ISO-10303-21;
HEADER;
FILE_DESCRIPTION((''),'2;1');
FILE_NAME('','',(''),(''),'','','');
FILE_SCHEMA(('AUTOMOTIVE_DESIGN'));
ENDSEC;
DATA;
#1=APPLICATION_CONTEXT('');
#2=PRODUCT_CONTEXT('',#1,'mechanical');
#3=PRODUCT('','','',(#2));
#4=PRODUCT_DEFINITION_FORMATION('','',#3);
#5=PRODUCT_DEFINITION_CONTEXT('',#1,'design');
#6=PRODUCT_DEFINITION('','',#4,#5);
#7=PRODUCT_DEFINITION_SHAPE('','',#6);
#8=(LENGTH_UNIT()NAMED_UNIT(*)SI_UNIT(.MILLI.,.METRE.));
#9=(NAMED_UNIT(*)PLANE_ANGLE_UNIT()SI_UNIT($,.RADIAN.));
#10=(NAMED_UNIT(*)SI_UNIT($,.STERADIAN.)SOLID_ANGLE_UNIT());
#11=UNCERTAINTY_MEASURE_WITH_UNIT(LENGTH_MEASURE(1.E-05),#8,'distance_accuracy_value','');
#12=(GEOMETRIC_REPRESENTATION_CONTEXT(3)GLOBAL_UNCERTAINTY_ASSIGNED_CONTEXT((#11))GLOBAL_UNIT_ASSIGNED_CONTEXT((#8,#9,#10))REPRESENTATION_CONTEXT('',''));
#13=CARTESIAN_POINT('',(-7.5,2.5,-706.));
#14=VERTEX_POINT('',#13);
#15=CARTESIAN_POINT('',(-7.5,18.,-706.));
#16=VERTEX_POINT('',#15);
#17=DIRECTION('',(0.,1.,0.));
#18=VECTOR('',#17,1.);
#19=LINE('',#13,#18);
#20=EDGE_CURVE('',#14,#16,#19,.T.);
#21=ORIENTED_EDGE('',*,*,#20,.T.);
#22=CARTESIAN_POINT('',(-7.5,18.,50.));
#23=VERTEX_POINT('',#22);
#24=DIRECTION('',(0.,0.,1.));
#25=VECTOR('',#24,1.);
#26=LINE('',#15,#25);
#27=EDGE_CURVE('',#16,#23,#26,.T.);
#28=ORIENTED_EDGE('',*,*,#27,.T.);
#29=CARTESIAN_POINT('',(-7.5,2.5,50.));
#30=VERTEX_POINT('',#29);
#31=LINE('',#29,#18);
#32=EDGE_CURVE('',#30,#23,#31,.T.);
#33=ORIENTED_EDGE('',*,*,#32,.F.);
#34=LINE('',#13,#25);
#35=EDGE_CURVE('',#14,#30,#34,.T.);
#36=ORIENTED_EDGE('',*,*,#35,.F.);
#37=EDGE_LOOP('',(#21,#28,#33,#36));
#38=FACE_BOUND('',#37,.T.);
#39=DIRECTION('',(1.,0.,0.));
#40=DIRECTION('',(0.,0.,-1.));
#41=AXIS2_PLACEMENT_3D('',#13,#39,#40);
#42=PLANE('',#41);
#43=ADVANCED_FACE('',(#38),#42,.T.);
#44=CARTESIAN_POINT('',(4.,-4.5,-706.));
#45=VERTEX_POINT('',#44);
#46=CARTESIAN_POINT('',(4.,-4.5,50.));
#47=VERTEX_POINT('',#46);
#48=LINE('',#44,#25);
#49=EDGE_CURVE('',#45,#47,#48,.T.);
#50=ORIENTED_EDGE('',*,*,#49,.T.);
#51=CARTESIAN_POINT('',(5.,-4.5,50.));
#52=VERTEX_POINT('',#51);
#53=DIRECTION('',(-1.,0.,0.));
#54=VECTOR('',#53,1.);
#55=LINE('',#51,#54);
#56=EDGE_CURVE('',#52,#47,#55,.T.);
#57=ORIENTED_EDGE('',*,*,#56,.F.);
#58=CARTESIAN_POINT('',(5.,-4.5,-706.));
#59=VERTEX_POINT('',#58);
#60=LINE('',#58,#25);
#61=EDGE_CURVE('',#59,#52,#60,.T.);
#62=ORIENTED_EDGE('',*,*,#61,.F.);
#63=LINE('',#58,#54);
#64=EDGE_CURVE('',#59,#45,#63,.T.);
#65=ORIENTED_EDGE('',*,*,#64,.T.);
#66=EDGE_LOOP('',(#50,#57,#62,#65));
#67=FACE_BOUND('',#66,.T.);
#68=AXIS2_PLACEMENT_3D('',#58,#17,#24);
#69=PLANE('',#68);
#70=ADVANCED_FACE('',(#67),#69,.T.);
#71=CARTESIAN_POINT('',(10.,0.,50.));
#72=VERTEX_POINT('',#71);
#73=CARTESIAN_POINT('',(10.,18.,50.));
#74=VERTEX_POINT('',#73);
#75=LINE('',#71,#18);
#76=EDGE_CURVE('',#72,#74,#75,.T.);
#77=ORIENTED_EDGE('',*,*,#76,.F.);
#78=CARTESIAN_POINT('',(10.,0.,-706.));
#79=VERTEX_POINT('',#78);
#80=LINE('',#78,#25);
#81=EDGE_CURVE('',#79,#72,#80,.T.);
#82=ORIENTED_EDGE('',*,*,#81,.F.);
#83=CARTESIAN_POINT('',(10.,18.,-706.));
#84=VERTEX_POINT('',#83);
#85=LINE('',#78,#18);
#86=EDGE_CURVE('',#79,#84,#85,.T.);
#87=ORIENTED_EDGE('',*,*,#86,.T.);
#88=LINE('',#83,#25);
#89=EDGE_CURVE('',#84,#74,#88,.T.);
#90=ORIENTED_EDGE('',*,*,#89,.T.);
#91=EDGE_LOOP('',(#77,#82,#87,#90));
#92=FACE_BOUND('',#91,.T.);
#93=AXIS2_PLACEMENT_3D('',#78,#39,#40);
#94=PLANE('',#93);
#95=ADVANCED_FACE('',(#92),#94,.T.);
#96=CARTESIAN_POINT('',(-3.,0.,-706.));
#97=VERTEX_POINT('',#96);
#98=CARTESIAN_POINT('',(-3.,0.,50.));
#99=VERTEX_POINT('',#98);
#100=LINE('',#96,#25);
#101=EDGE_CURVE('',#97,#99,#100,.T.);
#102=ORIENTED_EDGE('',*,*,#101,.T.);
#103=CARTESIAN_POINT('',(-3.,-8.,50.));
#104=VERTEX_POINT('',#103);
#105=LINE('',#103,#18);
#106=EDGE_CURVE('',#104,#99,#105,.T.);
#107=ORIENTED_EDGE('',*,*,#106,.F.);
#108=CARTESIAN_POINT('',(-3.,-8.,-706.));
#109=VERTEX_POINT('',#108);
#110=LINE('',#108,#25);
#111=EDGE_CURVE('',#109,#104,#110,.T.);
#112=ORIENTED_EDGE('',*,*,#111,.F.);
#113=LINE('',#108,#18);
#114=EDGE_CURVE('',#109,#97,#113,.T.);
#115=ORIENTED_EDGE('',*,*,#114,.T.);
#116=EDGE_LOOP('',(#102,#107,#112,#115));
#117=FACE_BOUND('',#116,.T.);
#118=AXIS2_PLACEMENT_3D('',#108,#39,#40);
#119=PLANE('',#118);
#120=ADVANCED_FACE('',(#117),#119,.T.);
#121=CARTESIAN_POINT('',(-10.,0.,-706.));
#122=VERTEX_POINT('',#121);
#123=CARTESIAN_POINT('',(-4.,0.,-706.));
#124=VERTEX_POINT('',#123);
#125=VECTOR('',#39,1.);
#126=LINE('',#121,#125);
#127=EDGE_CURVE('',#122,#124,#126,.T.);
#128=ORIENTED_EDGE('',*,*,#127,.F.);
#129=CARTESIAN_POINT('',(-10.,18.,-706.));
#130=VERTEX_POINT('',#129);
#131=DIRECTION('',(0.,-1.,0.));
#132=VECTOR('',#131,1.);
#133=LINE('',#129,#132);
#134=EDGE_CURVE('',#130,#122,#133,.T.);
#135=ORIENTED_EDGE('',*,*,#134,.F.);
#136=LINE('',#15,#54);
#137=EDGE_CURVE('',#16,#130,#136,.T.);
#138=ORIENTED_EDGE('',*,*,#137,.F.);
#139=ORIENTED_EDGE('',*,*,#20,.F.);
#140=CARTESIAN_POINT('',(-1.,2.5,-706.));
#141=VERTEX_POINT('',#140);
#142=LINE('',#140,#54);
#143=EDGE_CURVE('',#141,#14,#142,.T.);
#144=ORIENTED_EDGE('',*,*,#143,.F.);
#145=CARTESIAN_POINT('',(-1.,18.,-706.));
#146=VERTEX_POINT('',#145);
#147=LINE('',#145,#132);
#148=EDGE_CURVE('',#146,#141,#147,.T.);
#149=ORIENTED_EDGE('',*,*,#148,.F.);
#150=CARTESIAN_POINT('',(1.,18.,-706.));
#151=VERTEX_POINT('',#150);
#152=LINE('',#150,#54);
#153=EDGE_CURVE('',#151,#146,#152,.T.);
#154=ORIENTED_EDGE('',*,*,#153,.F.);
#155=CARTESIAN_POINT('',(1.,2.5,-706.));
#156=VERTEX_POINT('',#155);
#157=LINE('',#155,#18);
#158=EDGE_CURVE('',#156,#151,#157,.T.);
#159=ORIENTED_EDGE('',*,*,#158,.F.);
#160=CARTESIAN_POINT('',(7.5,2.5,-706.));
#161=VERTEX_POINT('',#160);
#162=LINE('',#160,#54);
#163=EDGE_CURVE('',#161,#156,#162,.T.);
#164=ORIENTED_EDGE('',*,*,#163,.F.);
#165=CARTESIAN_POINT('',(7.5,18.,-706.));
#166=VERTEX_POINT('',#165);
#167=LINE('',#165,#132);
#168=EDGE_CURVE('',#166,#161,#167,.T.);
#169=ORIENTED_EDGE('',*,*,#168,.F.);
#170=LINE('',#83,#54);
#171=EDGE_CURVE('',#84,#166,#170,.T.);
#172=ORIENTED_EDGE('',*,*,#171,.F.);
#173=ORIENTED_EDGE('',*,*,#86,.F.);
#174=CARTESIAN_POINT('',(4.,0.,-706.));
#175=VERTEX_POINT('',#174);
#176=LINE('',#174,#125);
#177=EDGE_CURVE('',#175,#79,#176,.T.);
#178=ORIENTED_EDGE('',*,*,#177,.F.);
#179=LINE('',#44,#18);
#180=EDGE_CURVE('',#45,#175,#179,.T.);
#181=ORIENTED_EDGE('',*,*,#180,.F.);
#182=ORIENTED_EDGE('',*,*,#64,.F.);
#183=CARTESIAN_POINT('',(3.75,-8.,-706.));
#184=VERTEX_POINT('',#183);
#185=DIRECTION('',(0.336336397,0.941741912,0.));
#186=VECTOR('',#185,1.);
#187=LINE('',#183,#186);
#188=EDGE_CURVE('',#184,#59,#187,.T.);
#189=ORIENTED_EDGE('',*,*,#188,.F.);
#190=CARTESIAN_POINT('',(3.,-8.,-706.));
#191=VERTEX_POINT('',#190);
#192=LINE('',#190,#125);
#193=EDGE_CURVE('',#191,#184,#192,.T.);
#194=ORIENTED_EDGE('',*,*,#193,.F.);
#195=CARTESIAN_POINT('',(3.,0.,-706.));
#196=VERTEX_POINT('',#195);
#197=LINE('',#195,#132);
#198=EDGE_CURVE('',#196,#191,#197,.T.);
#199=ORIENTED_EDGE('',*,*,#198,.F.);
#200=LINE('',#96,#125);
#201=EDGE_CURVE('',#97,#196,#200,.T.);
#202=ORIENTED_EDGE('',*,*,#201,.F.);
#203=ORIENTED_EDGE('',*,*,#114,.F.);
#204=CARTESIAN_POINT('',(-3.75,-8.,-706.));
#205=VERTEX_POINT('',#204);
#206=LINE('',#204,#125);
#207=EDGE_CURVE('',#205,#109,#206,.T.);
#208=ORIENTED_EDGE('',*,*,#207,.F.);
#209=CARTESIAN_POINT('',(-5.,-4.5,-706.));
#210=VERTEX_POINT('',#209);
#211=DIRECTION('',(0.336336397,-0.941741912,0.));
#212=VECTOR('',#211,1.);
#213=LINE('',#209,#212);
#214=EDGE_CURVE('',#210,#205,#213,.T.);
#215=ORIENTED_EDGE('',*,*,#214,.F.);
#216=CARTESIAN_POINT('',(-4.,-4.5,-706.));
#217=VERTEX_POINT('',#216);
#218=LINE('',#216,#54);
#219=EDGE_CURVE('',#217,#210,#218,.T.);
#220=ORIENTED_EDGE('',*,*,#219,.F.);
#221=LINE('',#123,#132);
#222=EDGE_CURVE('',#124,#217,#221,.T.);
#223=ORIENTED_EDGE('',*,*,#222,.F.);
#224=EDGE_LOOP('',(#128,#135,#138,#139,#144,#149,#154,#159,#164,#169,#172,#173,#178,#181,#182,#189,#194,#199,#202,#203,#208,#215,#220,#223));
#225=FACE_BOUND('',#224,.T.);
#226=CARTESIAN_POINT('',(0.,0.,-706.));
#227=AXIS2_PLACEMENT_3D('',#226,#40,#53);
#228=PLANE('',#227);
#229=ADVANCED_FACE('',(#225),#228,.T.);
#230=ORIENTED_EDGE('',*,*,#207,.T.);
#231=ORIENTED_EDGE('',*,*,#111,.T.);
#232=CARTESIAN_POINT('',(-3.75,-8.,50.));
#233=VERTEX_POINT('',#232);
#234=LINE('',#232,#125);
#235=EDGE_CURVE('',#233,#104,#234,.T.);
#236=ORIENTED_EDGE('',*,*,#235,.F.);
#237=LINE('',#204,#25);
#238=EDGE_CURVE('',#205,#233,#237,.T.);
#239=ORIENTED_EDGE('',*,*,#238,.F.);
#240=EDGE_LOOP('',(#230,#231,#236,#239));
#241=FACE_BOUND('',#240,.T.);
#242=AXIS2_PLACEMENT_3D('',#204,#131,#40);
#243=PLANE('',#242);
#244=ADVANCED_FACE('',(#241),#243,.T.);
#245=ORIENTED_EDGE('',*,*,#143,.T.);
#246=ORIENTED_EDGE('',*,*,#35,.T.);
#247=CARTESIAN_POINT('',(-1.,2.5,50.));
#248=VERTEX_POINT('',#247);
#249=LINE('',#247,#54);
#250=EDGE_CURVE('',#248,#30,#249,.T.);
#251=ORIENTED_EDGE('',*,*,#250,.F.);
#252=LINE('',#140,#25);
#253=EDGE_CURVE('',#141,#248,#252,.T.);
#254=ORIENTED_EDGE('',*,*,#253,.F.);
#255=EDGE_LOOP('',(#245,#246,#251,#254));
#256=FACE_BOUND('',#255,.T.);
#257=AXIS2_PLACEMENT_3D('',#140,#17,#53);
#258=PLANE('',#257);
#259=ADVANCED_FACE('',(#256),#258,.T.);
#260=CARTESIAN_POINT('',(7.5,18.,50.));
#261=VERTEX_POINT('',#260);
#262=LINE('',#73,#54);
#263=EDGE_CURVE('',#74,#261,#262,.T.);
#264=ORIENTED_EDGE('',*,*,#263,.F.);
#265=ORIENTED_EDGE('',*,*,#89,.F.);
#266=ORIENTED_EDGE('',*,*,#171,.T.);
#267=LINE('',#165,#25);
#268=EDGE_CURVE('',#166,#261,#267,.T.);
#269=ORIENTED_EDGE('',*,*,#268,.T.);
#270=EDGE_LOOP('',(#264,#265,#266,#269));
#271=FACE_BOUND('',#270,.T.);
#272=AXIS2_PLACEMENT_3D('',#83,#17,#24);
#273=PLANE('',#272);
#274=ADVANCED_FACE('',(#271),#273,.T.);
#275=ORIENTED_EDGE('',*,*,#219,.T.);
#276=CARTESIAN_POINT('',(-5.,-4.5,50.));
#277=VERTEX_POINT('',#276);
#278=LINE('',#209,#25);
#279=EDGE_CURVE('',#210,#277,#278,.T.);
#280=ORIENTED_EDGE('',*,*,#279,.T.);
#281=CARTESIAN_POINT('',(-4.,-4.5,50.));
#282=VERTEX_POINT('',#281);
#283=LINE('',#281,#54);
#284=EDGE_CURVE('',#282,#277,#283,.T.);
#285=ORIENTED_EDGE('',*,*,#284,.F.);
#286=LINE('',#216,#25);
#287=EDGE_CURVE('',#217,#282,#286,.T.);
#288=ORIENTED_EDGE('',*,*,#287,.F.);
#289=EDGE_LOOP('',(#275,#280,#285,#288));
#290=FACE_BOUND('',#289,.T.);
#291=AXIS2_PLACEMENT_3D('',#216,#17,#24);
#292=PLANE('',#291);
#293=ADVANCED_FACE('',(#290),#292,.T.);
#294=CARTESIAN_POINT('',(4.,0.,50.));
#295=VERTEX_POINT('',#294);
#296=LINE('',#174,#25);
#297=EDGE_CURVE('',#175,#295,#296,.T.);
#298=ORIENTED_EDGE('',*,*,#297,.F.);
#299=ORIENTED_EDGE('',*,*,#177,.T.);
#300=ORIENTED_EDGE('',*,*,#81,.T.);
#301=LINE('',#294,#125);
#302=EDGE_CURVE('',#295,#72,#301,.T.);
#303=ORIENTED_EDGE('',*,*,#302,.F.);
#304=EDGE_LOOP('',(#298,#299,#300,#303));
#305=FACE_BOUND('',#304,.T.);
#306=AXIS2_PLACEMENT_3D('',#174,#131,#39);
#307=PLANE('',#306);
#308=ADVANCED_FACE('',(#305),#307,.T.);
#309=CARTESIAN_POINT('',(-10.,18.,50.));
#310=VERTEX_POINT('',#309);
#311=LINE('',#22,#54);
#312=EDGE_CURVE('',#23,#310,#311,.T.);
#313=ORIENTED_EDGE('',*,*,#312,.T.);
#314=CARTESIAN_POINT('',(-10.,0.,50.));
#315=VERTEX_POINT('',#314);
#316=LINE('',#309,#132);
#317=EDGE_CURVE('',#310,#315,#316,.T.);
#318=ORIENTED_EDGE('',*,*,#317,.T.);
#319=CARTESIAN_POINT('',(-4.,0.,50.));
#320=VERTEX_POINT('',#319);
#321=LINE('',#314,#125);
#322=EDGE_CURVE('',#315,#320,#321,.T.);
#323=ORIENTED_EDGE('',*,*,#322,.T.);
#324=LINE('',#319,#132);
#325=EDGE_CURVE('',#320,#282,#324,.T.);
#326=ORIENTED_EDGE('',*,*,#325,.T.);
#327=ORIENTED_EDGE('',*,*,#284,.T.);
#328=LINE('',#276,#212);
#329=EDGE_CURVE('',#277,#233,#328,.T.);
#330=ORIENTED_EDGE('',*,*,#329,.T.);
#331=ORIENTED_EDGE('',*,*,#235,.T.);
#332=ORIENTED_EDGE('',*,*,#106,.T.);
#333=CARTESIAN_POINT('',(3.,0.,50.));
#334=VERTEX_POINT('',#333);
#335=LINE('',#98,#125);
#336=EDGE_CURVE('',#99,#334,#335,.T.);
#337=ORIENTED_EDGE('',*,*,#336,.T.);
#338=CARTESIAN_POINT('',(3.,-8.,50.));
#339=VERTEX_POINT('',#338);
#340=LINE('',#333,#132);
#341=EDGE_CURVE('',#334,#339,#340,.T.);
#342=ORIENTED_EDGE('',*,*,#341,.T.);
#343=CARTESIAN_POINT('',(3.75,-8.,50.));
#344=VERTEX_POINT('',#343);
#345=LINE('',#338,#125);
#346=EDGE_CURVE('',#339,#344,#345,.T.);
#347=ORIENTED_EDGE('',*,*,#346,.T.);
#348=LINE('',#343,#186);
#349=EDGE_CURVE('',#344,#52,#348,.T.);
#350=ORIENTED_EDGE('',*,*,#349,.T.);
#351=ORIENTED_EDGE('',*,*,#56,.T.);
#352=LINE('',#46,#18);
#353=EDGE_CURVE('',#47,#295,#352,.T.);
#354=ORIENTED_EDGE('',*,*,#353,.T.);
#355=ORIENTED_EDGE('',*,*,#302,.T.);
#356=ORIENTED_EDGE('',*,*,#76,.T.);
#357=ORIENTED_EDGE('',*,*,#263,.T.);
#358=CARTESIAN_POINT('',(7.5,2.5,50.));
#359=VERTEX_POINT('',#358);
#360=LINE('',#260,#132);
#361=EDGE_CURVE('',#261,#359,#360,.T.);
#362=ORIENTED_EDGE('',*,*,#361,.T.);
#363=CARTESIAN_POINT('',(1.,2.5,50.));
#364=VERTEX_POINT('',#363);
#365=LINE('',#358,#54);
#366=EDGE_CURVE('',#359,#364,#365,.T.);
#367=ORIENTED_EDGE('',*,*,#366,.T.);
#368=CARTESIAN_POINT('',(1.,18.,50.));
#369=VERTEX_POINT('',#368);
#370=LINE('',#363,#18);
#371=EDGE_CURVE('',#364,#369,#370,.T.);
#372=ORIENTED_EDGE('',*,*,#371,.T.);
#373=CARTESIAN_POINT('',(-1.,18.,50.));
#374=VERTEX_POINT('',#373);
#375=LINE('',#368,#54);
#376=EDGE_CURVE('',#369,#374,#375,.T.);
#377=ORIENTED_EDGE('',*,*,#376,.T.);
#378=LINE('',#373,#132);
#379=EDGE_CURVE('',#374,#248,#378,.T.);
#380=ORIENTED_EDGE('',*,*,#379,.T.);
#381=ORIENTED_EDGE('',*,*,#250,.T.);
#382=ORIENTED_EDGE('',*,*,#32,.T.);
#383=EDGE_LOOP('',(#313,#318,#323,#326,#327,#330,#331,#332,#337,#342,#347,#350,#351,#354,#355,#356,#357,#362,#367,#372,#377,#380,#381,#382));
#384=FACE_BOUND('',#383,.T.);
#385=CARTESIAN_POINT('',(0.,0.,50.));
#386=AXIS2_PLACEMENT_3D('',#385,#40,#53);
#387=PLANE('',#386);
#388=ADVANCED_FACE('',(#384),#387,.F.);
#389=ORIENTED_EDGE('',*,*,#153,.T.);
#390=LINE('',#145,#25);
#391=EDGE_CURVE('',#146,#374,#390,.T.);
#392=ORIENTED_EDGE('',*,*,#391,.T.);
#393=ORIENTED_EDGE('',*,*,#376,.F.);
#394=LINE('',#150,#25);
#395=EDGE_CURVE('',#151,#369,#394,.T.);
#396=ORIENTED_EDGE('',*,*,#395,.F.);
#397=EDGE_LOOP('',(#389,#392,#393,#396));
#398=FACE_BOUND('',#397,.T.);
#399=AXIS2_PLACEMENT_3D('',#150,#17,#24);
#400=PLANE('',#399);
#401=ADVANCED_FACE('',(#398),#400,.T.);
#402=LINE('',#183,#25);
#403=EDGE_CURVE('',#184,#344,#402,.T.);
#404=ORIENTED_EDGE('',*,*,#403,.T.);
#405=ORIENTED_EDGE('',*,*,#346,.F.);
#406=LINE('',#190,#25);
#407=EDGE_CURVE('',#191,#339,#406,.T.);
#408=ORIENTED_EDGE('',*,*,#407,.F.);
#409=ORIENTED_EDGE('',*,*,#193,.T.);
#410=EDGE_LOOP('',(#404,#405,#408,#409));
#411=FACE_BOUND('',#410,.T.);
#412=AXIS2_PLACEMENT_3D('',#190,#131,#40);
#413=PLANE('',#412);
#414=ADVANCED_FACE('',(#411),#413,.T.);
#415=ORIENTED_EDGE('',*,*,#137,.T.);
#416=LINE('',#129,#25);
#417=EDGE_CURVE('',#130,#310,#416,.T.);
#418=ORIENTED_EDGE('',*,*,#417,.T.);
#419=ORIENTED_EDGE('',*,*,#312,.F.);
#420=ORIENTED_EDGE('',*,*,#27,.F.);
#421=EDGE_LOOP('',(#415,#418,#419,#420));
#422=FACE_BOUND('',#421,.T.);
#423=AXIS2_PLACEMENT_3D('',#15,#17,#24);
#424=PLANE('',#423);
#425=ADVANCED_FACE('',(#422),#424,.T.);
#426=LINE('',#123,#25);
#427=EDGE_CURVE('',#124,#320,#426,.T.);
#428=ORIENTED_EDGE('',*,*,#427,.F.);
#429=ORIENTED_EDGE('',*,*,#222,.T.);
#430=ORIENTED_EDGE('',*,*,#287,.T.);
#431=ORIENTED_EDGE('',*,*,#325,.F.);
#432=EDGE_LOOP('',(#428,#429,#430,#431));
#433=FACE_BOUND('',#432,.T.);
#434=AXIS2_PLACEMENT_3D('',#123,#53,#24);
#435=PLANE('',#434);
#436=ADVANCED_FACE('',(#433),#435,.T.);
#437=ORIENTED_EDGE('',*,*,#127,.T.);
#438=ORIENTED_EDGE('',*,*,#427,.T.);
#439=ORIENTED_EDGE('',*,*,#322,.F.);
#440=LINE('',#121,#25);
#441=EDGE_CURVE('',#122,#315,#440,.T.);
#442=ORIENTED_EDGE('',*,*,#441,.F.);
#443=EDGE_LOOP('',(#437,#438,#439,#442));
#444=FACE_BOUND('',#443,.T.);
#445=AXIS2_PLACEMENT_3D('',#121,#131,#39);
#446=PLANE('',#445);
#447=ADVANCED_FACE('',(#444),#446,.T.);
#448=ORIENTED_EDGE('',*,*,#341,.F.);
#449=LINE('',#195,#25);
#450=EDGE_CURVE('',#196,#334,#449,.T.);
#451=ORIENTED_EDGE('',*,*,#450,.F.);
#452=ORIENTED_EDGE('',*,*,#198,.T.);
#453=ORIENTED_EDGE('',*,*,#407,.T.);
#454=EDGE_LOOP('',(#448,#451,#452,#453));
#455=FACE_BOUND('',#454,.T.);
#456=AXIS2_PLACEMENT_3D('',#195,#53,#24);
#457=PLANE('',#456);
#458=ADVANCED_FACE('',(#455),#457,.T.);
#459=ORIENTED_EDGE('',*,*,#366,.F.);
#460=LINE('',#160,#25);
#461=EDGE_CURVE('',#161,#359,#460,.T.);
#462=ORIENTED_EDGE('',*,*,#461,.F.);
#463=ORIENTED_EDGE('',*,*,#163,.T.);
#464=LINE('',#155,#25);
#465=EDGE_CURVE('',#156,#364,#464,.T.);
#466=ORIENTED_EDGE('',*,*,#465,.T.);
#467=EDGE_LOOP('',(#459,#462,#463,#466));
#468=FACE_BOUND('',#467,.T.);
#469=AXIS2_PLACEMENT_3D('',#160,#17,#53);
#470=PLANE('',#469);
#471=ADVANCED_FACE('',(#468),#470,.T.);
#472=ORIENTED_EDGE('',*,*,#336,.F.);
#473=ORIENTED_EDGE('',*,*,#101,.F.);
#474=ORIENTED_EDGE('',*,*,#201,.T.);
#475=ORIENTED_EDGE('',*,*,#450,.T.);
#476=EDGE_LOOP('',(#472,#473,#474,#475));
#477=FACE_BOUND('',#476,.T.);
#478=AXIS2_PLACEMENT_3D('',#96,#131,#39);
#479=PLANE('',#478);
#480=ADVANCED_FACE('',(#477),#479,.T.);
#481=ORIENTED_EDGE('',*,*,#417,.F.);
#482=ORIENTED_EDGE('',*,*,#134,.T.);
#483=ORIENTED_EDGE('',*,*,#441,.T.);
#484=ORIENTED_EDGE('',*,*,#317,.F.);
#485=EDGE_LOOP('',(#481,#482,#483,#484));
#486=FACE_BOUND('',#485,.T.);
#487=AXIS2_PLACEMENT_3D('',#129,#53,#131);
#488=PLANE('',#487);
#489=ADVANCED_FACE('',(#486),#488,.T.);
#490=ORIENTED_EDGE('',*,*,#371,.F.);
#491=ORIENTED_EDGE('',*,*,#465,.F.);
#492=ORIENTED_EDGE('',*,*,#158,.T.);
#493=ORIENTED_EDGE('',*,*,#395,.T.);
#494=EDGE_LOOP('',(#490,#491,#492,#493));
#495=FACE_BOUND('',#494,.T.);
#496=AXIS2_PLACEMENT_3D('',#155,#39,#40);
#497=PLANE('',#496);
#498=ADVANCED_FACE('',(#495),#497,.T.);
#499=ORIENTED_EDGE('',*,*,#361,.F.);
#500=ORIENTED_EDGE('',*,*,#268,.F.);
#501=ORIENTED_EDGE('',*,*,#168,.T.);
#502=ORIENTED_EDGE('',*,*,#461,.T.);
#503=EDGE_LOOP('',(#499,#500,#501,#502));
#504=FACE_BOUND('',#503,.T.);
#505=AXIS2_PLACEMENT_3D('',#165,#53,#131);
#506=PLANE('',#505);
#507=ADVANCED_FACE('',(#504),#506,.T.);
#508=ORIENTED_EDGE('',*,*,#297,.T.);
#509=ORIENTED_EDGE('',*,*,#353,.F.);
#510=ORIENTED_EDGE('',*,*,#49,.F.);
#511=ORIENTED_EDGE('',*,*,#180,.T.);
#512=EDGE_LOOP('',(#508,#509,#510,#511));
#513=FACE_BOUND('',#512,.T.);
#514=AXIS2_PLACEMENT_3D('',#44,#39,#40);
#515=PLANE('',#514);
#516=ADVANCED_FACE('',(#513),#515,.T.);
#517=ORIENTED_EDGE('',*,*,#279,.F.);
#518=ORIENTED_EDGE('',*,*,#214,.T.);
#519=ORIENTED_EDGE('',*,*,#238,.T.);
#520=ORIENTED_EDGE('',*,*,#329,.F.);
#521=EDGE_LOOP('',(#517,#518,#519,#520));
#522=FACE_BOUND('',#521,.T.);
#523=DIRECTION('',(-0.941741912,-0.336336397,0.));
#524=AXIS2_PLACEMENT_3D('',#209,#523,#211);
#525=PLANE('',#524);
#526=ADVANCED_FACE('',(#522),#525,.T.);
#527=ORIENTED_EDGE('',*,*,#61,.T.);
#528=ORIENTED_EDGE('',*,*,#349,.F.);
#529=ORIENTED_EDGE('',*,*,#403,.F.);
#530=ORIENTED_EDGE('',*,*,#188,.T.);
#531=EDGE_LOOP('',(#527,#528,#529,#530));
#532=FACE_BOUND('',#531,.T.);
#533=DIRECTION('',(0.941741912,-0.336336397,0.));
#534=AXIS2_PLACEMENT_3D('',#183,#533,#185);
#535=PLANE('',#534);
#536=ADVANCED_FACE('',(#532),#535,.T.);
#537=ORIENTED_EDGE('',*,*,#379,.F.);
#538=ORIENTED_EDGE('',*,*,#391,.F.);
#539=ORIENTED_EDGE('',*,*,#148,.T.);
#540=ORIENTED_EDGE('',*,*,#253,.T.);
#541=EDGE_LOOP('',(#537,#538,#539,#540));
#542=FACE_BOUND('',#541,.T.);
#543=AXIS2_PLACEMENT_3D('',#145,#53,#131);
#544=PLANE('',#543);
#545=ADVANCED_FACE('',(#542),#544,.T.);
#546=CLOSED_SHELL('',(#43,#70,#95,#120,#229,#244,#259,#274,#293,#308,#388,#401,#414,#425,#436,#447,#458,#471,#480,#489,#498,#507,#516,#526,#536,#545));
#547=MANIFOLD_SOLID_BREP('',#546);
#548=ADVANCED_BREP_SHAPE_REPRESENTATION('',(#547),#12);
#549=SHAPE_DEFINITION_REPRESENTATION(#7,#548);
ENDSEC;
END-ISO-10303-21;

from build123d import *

# Parameters (mm, degrees)
BOSS_EXTRU_1_DEPTH = 756


with BuildPart() as part:
    # Esquisse1 → Boss.-Extru.1 (new body)
    with BuildSketch(Plane.XY.offset(50)):
        Polygon((-1, 2.5), (-7.5, 2.5), (-7.5, 17.999999998), (-10, 17.999999998), (-10, 0), (-4, 0), (-4, -4.5), (-5, -4.5), (-3.75, -8), (-3, -8), (-3, 0), (3, 0), (3, -8), (3.75, -8), (5, -4.5), (4, -4.5), (4, 0), (10, 0), (10, 17.999999998), (7.5, 17.999999998), (7.5, 2.5), (1, 2.5), (1, 17.999999998), (-1, 17.999999998), align=None)
    extrude(amount=-BOSS_EXTRU_1_DEPTH)


solid = part.part
